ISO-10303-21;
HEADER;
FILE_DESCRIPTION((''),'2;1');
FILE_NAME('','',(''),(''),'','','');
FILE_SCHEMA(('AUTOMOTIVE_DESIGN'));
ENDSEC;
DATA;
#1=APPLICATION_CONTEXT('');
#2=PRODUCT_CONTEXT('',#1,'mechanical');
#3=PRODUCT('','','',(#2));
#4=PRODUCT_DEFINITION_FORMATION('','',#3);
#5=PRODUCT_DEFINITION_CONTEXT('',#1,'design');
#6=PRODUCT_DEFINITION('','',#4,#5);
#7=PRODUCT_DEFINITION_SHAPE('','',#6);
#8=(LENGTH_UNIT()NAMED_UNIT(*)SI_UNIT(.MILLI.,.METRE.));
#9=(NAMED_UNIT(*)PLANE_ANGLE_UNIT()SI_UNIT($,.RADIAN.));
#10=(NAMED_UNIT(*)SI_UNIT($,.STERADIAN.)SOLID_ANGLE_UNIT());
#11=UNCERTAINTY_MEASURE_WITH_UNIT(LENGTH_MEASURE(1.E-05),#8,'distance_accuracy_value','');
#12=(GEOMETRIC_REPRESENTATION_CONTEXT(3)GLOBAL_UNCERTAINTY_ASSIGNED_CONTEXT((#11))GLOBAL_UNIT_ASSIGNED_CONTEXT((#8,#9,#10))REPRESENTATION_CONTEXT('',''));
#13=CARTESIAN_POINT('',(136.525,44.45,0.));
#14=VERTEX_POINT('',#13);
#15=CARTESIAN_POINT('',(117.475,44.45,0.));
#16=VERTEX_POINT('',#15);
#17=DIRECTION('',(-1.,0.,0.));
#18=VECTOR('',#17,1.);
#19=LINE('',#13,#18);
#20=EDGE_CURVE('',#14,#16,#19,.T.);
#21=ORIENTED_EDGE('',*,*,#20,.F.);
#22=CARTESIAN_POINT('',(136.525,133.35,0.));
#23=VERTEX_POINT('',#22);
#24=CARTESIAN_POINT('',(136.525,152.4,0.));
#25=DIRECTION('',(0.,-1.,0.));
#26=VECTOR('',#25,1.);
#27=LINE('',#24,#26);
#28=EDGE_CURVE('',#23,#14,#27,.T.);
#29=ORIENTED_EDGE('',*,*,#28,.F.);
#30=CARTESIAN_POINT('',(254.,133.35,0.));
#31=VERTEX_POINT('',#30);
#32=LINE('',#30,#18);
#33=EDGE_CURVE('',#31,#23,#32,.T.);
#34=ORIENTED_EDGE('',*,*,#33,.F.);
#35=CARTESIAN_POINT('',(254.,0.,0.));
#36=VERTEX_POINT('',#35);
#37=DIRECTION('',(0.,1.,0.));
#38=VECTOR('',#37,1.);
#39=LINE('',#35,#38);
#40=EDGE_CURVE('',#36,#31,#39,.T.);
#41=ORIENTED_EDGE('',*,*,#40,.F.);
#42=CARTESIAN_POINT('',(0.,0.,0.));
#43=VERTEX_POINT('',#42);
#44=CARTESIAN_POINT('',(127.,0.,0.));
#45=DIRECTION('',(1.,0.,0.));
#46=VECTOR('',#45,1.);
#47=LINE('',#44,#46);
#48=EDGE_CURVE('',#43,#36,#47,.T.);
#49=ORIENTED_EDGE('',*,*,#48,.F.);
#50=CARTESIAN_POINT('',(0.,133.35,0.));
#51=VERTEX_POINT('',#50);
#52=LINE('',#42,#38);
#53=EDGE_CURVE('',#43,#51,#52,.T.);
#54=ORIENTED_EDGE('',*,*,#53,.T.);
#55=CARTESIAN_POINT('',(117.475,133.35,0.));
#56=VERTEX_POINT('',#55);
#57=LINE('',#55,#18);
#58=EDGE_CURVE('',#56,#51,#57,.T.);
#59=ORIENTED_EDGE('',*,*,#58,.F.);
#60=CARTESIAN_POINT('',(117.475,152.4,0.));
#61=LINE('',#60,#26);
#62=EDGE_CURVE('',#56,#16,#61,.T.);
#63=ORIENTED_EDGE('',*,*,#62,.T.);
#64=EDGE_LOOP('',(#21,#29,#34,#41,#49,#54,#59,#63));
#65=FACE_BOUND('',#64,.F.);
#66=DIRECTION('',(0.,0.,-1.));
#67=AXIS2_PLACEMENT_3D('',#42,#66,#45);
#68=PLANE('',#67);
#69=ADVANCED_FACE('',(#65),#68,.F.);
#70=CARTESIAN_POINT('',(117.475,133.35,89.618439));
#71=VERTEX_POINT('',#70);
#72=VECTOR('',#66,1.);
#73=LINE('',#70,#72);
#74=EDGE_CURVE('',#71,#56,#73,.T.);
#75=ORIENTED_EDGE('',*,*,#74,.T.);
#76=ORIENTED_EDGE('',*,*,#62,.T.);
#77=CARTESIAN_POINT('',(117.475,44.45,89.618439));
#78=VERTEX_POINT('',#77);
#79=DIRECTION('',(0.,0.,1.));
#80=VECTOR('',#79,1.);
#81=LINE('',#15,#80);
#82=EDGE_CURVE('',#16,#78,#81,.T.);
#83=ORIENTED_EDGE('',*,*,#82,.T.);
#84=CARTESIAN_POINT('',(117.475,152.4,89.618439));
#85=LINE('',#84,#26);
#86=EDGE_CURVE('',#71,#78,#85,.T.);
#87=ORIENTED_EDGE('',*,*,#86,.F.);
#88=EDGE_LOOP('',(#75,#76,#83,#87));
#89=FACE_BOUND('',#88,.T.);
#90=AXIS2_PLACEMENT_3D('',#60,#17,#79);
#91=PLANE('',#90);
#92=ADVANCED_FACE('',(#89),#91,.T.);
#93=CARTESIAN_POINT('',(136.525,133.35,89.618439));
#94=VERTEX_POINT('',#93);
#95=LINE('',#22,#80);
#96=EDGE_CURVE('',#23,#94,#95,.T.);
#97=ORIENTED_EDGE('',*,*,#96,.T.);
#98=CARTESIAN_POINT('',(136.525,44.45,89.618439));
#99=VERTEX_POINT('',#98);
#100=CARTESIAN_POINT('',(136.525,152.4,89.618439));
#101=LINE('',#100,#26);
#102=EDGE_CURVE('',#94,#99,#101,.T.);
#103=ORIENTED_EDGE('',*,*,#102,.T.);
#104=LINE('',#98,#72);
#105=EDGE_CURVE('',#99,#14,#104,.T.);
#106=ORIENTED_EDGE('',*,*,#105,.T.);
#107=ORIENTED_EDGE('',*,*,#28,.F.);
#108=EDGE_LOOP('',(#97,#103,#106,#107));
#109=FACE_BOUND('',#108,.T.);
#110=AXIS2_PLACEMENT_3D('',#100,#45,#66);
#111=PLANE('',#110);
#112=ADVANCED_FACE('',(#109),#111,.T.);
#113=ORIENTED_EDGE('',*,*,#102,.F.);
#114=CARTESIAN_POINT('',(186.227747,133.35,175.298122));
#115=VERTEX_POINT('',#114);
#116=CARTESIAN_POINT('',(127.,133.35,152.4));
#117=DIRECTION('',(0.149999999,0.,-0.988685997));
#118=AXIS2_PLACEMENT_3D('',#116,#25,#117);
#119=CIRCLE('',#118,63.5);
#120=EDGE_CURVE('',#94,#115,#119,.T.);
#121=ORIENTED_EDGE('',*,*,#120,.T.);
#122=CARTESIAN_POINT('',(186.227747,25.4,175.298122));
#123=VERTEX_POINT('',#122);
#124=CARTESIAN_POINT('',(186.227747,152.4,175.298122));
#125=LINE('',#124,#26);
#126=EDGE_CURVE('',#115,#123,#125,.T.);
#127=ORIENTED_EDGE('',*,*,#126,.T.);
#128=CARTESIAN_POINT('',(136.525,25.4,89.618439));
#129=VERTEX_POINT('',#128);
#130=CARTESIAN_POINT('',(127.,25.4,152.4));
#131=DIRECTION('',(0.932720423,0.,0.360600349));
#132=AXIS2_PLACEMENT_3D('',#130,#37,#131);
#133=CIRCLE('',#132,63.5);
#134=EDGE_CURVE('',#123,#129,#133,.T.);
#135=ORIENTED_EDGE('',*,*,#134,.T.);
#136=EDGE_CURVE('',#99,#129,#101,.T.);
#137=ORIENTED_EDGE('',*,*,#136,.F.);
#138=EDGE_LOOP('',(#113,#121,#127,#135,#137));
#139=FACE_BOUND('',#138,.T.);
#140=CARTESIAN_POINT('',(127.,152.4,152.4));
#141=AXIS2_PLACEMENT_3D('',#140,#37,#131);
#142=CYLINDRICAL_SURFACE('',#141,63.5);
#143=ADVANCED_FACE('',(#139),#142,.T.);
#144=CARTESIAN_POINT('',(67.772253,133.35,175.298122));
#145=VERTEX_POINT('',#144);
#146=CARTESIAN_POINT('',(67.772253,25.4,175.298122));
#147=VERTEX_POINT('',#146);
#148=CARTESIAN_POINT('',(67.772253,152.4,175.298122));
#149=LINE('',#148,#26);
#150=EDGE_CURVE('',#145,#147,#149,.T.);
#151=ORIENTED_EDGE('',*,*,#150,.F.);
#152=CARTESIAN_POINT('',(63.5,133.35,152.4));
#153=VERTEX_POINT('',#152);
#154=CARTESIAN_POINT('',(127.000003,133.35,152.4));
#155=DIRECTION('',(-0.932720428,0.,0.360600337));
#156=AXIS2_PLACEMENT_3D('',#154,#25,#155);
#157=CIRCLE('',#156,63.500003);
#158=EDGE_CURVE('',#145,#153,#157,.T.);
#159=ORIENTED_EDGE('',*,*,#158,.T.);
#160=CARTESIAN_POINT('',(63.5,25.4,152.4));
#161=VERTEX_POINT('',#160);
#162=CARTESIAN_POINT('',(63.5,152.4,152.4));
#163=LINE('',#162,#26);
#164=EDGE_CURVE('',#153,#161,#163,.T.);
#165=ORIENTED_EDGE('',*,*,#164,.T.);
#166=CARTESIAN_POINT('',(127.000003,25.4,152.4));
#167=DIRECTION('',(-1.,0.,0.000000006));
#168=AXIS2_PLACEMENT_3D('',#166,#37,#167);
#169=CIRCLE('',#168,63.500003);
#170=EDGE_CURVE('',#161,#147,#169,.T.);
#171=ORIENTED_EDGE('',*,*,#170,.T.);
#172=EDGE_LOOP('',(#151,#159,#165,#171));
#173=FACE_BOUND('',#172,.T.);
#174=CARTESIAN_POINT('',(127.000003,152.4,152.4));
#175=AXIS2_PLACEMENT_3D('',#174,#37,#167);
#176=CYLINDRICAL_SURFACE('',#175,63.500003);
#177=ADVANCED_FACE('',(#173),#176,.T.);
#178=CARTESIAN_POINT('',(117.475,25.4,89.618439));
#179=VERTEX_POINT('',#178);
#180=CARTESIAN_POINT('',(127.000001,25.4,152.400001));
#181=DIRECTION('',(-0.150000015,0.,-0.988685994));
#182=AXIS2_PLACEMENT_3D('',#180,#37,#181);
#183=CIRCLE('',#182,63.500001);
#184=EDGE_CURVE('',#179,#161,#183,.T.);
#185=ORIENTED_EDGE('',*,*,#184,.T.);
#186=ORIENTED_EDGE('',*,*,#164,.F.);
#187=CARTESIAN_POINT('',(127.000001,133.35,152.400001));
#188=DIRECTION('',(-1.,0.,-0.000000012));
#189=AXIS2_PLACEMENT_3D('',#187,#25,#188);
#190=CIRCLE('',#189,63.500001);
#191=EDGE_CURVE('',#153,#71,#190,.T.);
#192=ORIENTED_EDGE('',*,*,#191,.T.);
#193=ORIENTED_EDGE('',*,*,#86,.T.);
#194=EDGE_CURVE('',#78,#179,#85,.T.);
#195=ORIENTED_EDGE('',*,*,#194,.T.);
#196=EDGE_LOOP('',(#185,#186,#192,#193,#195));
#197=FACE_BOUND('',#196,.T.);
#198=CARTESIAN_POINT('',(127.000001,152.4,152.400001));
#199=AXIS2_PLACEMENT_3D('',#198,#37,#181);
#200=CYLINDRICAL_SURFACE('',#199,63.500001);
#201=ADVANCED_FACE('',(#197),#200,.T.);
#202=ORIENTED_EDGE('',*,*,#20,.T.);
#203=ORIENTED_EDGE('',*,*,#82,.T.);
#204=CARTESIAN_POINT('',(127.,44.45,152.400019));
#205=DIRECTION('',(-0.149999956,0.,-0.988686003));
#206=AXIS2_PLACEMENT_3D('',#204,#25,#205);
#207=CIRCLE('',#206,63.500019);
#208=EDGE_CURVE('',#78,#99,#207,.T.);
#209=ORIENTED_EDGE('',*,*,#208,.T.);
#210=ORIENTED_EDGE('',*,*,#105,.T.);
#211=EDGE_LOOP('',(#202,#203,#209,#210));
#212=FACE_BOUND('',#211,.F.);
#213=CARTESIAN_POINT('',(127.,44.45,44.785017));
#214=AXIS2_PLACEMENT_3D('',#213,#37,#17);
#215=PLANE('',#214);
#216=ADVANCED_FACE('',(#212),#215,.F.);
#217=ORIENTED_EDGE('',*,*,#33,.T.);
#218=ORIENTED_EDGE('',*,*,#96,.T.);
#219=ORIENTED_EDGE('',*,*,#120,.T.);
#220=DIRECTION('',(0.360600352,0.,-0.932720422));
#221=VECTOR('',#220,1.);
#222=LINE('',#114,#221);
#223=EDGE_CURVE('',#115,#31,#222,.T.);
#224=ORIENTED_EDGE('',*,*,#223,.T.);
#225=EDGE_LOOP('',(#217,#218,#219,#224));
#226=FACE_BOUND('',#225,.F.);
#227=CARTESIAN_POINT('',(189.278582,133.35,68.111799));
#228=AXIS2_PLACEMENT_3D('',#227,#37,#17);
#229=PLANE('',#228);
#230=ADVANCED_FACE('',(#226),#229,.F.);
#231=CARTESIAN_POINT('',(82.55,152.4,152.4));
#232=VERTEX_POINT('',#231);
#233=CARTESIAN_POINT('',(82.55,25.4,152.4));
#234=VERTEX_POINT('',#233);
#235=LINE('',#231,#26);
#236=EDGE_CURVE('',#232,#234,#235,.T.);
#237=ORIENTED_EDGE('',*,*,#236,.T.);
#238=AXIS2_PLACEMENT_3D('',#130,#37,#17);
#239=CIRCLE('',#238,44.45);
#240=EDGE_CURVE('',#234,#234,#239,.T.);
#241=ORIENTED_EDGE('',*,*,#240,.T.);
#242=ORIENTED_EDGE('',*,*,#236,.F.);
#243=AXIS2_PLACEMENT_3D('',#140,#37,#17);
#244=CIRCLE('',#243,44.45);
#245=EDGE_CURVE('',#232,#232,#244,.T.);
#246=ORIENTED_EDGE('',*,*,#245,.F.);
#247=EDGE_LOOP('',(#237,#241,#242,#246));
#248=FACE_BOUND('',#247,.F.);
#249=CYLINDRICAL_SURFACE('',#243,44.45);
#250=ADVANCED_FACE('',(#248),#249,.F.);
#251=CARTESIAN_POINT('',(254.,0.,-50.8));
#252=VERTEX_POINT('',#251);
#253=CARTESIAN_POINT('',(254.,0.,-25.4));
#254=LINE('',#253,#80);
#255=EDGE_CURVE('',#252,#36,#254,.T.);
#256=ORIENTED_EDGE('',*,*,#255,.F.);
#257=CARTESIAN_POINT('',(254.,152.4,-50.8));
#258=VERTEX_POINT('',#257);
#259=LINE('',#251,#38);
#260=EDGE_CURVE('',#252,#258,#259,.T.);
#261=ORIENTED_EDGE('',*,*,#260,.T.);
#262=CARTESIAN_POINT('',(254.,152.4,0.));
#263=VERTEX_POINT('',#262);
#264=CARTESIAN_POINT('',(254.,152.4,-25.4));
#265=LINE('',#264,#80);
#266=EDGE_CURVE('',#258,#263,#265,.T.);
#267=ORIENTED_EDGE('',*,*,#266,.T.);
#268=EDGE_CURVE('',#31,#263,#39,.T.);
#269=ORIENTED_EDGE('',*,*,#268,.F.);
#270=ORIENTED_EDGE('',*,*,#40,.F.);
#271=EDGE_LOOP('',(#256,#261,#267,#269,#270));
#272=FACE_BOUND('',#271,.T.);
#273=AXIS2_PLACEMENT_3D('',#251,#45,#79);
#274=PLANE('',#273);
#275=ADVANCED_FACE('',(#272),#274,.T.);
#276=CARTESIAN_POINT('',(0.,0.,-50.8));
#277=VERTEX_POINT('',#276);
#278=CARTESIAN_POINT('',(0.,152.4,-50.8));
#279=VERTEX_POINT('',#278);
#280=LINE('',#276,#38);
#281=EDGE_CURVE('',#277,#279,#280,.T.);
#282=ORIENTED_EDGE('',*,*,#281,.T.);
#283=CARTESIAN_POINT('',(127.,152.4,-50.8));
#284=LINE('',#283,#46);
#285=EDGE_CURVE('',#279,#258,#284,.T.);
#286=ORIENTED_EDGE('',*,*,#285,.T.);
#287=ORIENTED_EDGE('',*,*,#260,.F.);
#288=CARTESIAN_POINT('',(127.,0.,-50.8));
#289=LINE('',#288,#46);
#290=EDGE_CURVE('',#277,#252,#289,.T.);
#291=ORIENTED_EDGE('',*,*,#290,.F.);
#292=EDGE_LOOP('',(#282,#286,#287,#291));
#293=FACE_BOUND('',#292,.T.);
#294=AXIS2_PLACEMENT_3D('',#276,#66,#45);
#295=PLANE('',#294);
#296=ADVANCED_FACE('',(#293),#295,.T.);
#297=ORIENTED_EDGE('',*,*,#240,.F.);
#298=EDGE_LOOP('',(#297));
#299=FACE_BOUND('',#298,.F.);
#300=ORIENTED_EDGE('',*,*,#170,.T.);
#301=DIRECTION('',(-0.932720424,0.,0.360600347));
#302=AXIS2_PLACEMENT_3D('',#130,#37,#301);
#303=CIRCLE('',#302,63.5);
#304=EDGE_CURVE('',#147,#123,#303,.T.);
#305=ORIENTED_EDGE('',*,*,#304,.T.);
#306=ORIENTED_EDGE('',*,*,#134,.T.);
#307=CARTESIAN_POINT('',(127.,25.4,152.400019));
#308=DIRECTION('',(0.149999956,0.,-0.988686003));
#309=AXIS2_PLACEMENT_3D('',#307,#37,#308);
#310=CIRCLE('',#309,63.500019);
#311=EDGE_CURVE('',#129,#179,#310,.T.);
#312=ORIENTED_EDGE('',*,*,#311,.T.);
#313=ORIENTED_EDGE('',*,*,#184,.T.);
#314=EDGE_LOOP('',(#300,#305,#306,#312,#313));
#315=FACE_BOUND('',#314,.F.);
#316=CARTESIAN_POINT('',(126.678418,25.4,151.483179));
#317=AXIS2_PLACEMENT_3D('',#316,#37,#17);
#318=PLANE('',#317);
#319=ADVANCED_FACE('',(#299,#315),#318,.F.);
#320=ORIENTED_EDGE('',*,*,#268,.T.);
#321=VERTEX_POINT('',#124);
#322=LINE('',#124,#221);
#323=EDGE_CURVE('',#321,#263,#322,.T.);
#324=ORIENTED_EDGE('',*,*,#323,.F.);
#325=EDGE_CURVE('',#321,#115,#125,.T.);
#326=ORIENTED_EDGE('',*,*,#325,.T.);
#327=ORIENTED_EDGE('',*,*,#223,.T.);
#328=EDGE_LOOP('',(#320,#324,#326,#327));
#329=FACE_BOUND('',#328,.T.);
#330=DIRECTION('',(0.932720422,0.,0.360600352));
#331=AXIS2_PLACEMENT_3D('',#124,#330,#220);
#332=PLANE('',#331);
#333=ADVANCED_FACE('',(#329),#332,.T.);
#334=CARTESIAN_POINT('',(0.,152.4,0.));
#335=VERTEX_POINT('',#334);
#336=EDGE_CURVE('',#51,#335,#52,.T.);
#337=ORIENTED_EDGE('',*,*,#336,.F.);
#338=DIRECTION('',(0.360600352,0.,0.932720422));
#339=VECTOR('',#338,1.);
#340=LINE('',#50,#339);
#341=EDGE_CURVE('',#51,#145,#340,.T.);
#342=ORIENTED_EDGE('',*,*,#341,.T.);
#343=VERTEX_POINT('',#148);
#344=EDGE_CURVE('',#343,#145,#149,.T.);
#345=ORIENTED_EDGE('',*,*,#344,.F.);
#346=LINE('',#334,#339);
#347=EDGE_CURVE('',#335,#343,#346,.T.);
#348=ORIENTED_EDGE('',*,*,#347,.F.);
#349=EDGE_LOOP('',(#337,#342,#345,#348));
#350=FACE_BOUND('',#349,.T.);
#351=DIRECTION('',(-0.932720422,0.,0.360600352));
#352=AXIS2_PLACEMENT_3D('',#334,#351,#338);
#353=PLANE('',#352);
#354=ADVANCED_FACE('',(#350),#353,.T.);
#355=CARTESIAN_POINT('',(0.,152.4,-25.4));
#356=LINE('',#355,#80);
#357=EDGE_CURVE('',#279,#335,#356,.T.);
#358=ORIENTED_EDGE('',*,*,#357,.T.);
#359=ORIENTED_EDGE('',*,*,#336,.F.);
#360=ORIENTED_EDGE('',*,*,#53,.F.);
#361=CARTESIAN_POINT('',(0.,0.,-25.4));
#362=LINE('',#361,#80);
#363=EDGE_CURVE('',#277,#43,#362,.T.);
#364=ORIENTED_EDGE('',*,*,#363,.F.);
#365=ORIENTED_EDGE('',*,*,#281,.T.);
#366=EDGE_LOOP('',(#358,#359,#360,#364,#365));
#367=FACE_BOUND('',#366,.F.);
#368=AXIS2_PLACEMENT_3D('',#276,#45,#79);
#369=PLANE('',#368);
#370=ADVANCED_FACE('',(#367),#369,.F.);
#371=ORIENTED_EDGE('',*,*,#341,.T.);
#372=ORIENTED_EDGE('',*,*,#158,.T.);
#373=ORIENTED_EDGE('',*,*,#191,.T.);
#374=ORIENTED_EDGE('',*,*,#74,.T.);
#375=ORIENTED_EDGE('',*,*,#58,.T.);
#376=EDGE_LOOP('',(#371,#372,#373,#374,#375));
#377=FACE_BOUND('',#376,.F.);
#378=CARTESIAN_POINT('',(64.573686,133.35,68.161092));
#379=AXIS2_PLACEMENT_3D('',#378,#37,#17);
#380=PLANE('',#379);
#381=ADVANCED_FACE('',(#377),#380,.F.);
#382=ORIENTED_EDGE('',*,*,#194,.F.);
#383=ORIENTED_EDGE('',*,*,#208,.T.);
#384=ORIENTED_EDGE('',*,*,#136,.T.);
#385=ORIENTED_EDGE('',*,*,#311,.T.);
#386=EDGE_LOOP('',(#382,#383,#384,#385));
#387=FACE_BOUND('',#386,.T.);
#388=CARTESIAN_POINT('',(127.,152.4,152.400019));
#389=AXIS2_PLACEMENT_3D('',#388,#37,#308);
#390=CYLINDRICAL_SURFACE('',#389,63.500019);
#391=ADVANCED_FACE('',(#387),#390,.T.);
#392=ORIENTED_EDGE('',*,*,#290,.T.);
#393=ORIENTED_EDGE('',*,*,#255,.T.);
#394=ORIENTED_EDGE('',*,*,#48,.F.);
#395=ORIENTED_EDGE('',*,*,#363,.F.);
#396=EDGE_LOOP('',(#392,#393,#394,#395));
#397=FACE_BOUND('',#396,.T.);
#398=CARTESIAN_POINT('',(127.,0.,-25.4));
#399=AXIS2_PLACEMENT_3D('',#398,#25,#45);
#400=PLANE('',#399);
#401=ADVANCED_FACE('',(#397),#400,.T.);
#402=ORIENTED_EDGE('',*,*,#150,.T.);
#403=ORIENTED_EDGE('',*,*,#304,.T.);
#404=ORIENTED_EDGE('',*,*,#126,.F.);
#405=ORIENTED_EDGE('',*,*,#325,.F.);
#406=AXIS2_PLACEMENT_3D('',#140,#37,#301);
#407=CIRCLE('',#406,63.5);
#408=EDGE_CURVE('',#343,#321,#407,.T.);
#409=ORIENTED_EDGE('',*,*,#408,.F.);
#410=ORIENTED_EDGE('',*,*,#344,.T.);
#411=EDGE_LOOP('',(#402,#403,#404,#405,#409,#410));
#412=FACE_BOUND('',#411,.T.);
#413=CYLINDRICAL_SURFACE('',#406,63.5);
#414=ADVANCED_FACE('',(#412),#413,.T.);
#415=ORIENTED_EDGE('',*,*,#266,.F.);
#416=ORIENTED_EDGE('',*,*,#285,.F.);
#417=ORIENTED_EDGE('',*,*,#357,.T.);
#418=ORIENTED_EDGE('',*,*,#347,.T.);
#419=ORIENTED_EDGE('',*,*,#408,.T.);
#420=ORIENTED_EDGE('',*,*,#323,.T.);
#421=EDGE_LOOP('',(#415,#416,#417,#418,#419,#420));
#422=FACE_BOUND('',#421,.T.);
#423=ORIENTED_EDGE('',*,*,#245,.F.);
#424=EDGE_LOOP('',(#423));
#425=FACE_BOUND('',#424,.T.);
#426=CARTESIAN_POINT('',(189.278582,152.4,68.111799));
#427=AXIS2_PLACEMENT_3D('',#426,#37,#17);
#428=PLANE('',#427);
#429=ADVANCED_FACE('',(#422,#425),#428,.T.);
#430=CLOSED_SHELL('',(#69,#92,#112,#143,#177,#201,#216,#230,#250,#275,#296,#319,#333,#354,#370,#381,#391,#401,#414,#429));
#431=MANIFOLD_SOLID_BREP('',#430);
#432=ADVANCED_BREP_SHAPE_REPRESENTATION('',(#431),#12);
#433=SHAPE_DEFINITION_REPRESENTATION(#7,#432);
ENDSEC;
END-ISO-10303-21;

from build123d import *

# Parameters (mm, degrees)
F0_W     = 254
F0_H     = 50.8
F1_DEPTH = 152.4
F3_DEPTH = 107.95
F2_R     = 44.45
F4_DEPTH = 127
F5_DEPTH = 19.05


with BuildPart() as f1:
    # F0 (on Front) → F1 (new body)
    with BuildSketch(Plane.XZ):
        with Locations((127, -25.4)):
            Rectangle(F0_W, F0_H)
    extrude(amount=-F1_DEPTH)

    # F2 (on face) → F3 (join)
    with BuildSketch(Plane(origin=(0, 152.4, 0), x_dir=(-1, 0, 0), z_dir=(0, 1, 0))):
        with BuildLine():
            Line((-117.475, 0), (-117.475, 89.618439))
            ThreePointArc((-117.475, 89.618439), (-127, 88.9), (-136.525, 89.618439))
            Line((-136.525, 89.618439), (-136.525, 0))
            Line((-136.525, 0), (-117.475, 0))
        make_face()
    extrude(amount=-F3_DEPTH)

    # F2 (on face) → F4 (join)
    with BuildSketch(Plane(origin=(0, 152.4, 0), x_dir=(-1, 0, 0), z_dir=(0, 1, 0))):
        with BuildLine():
            ThreePointArc((-117.475, 89.618439), (-78.848741, 111.003065), (-63.5, 152.4))
            ThreePointArc((-63.5, 152.4), (-64.5772, 164.046632), (-67.772253, 175.298122))
            ThreePointArc((-67.772253, 175.298122), (-127, 215.9), (-186.227747, 175.298122))
            ThreePointArc((-186.227747, 175.298122), (-181.927107, 120.536809), (-136.525, 89.618439))
            ThreePointArc((-136.525, 89.618439), (-127, 88.9), (-117.475, 89.618439))
        make_face()
        with Locations((-127, 152.4)):
            Circle(F2_R, mode=Mode.SUBTRACT)
    extrude(amount=-F4_DEPTH)

    # F2 (on face) → F5 (join)
    with BuildSketch(Plane(origin=(0, 152.4, 0), x_dir=(-1, 0, 0), z_dir=(0, 1, 0))):
        with BuildLine():
            ThreePointArc((-136.525, 89.618439), (-181.927107, 120.536809), (-186.227747, 175.298122))
            Line((-186.227747, 175.298122), (-254, 0))
            Line((-254, 0), (-136.525, 0))
            Line((-136.525, 0), (-136.525, 89.618439))
        make_face()
        with BuildLine():
            ThreePointArc((-67.772253, 175.298122), (-64.5772, 164.046632), (-63.5, 152.4))
            ThreePointArc((-63.5, 152.4), (-78.848741, 111.003065), (-117.475, 89.618439))
            Line((-117.475, 89.618439), (-117.475, 0))
            Line((-117.475, 0), (0, 0))
            Line((0, 0), (-67.772253, 175.298122))
        make_face()
    extrude(amount=-F5_DEPTH)


solid = f1.part
